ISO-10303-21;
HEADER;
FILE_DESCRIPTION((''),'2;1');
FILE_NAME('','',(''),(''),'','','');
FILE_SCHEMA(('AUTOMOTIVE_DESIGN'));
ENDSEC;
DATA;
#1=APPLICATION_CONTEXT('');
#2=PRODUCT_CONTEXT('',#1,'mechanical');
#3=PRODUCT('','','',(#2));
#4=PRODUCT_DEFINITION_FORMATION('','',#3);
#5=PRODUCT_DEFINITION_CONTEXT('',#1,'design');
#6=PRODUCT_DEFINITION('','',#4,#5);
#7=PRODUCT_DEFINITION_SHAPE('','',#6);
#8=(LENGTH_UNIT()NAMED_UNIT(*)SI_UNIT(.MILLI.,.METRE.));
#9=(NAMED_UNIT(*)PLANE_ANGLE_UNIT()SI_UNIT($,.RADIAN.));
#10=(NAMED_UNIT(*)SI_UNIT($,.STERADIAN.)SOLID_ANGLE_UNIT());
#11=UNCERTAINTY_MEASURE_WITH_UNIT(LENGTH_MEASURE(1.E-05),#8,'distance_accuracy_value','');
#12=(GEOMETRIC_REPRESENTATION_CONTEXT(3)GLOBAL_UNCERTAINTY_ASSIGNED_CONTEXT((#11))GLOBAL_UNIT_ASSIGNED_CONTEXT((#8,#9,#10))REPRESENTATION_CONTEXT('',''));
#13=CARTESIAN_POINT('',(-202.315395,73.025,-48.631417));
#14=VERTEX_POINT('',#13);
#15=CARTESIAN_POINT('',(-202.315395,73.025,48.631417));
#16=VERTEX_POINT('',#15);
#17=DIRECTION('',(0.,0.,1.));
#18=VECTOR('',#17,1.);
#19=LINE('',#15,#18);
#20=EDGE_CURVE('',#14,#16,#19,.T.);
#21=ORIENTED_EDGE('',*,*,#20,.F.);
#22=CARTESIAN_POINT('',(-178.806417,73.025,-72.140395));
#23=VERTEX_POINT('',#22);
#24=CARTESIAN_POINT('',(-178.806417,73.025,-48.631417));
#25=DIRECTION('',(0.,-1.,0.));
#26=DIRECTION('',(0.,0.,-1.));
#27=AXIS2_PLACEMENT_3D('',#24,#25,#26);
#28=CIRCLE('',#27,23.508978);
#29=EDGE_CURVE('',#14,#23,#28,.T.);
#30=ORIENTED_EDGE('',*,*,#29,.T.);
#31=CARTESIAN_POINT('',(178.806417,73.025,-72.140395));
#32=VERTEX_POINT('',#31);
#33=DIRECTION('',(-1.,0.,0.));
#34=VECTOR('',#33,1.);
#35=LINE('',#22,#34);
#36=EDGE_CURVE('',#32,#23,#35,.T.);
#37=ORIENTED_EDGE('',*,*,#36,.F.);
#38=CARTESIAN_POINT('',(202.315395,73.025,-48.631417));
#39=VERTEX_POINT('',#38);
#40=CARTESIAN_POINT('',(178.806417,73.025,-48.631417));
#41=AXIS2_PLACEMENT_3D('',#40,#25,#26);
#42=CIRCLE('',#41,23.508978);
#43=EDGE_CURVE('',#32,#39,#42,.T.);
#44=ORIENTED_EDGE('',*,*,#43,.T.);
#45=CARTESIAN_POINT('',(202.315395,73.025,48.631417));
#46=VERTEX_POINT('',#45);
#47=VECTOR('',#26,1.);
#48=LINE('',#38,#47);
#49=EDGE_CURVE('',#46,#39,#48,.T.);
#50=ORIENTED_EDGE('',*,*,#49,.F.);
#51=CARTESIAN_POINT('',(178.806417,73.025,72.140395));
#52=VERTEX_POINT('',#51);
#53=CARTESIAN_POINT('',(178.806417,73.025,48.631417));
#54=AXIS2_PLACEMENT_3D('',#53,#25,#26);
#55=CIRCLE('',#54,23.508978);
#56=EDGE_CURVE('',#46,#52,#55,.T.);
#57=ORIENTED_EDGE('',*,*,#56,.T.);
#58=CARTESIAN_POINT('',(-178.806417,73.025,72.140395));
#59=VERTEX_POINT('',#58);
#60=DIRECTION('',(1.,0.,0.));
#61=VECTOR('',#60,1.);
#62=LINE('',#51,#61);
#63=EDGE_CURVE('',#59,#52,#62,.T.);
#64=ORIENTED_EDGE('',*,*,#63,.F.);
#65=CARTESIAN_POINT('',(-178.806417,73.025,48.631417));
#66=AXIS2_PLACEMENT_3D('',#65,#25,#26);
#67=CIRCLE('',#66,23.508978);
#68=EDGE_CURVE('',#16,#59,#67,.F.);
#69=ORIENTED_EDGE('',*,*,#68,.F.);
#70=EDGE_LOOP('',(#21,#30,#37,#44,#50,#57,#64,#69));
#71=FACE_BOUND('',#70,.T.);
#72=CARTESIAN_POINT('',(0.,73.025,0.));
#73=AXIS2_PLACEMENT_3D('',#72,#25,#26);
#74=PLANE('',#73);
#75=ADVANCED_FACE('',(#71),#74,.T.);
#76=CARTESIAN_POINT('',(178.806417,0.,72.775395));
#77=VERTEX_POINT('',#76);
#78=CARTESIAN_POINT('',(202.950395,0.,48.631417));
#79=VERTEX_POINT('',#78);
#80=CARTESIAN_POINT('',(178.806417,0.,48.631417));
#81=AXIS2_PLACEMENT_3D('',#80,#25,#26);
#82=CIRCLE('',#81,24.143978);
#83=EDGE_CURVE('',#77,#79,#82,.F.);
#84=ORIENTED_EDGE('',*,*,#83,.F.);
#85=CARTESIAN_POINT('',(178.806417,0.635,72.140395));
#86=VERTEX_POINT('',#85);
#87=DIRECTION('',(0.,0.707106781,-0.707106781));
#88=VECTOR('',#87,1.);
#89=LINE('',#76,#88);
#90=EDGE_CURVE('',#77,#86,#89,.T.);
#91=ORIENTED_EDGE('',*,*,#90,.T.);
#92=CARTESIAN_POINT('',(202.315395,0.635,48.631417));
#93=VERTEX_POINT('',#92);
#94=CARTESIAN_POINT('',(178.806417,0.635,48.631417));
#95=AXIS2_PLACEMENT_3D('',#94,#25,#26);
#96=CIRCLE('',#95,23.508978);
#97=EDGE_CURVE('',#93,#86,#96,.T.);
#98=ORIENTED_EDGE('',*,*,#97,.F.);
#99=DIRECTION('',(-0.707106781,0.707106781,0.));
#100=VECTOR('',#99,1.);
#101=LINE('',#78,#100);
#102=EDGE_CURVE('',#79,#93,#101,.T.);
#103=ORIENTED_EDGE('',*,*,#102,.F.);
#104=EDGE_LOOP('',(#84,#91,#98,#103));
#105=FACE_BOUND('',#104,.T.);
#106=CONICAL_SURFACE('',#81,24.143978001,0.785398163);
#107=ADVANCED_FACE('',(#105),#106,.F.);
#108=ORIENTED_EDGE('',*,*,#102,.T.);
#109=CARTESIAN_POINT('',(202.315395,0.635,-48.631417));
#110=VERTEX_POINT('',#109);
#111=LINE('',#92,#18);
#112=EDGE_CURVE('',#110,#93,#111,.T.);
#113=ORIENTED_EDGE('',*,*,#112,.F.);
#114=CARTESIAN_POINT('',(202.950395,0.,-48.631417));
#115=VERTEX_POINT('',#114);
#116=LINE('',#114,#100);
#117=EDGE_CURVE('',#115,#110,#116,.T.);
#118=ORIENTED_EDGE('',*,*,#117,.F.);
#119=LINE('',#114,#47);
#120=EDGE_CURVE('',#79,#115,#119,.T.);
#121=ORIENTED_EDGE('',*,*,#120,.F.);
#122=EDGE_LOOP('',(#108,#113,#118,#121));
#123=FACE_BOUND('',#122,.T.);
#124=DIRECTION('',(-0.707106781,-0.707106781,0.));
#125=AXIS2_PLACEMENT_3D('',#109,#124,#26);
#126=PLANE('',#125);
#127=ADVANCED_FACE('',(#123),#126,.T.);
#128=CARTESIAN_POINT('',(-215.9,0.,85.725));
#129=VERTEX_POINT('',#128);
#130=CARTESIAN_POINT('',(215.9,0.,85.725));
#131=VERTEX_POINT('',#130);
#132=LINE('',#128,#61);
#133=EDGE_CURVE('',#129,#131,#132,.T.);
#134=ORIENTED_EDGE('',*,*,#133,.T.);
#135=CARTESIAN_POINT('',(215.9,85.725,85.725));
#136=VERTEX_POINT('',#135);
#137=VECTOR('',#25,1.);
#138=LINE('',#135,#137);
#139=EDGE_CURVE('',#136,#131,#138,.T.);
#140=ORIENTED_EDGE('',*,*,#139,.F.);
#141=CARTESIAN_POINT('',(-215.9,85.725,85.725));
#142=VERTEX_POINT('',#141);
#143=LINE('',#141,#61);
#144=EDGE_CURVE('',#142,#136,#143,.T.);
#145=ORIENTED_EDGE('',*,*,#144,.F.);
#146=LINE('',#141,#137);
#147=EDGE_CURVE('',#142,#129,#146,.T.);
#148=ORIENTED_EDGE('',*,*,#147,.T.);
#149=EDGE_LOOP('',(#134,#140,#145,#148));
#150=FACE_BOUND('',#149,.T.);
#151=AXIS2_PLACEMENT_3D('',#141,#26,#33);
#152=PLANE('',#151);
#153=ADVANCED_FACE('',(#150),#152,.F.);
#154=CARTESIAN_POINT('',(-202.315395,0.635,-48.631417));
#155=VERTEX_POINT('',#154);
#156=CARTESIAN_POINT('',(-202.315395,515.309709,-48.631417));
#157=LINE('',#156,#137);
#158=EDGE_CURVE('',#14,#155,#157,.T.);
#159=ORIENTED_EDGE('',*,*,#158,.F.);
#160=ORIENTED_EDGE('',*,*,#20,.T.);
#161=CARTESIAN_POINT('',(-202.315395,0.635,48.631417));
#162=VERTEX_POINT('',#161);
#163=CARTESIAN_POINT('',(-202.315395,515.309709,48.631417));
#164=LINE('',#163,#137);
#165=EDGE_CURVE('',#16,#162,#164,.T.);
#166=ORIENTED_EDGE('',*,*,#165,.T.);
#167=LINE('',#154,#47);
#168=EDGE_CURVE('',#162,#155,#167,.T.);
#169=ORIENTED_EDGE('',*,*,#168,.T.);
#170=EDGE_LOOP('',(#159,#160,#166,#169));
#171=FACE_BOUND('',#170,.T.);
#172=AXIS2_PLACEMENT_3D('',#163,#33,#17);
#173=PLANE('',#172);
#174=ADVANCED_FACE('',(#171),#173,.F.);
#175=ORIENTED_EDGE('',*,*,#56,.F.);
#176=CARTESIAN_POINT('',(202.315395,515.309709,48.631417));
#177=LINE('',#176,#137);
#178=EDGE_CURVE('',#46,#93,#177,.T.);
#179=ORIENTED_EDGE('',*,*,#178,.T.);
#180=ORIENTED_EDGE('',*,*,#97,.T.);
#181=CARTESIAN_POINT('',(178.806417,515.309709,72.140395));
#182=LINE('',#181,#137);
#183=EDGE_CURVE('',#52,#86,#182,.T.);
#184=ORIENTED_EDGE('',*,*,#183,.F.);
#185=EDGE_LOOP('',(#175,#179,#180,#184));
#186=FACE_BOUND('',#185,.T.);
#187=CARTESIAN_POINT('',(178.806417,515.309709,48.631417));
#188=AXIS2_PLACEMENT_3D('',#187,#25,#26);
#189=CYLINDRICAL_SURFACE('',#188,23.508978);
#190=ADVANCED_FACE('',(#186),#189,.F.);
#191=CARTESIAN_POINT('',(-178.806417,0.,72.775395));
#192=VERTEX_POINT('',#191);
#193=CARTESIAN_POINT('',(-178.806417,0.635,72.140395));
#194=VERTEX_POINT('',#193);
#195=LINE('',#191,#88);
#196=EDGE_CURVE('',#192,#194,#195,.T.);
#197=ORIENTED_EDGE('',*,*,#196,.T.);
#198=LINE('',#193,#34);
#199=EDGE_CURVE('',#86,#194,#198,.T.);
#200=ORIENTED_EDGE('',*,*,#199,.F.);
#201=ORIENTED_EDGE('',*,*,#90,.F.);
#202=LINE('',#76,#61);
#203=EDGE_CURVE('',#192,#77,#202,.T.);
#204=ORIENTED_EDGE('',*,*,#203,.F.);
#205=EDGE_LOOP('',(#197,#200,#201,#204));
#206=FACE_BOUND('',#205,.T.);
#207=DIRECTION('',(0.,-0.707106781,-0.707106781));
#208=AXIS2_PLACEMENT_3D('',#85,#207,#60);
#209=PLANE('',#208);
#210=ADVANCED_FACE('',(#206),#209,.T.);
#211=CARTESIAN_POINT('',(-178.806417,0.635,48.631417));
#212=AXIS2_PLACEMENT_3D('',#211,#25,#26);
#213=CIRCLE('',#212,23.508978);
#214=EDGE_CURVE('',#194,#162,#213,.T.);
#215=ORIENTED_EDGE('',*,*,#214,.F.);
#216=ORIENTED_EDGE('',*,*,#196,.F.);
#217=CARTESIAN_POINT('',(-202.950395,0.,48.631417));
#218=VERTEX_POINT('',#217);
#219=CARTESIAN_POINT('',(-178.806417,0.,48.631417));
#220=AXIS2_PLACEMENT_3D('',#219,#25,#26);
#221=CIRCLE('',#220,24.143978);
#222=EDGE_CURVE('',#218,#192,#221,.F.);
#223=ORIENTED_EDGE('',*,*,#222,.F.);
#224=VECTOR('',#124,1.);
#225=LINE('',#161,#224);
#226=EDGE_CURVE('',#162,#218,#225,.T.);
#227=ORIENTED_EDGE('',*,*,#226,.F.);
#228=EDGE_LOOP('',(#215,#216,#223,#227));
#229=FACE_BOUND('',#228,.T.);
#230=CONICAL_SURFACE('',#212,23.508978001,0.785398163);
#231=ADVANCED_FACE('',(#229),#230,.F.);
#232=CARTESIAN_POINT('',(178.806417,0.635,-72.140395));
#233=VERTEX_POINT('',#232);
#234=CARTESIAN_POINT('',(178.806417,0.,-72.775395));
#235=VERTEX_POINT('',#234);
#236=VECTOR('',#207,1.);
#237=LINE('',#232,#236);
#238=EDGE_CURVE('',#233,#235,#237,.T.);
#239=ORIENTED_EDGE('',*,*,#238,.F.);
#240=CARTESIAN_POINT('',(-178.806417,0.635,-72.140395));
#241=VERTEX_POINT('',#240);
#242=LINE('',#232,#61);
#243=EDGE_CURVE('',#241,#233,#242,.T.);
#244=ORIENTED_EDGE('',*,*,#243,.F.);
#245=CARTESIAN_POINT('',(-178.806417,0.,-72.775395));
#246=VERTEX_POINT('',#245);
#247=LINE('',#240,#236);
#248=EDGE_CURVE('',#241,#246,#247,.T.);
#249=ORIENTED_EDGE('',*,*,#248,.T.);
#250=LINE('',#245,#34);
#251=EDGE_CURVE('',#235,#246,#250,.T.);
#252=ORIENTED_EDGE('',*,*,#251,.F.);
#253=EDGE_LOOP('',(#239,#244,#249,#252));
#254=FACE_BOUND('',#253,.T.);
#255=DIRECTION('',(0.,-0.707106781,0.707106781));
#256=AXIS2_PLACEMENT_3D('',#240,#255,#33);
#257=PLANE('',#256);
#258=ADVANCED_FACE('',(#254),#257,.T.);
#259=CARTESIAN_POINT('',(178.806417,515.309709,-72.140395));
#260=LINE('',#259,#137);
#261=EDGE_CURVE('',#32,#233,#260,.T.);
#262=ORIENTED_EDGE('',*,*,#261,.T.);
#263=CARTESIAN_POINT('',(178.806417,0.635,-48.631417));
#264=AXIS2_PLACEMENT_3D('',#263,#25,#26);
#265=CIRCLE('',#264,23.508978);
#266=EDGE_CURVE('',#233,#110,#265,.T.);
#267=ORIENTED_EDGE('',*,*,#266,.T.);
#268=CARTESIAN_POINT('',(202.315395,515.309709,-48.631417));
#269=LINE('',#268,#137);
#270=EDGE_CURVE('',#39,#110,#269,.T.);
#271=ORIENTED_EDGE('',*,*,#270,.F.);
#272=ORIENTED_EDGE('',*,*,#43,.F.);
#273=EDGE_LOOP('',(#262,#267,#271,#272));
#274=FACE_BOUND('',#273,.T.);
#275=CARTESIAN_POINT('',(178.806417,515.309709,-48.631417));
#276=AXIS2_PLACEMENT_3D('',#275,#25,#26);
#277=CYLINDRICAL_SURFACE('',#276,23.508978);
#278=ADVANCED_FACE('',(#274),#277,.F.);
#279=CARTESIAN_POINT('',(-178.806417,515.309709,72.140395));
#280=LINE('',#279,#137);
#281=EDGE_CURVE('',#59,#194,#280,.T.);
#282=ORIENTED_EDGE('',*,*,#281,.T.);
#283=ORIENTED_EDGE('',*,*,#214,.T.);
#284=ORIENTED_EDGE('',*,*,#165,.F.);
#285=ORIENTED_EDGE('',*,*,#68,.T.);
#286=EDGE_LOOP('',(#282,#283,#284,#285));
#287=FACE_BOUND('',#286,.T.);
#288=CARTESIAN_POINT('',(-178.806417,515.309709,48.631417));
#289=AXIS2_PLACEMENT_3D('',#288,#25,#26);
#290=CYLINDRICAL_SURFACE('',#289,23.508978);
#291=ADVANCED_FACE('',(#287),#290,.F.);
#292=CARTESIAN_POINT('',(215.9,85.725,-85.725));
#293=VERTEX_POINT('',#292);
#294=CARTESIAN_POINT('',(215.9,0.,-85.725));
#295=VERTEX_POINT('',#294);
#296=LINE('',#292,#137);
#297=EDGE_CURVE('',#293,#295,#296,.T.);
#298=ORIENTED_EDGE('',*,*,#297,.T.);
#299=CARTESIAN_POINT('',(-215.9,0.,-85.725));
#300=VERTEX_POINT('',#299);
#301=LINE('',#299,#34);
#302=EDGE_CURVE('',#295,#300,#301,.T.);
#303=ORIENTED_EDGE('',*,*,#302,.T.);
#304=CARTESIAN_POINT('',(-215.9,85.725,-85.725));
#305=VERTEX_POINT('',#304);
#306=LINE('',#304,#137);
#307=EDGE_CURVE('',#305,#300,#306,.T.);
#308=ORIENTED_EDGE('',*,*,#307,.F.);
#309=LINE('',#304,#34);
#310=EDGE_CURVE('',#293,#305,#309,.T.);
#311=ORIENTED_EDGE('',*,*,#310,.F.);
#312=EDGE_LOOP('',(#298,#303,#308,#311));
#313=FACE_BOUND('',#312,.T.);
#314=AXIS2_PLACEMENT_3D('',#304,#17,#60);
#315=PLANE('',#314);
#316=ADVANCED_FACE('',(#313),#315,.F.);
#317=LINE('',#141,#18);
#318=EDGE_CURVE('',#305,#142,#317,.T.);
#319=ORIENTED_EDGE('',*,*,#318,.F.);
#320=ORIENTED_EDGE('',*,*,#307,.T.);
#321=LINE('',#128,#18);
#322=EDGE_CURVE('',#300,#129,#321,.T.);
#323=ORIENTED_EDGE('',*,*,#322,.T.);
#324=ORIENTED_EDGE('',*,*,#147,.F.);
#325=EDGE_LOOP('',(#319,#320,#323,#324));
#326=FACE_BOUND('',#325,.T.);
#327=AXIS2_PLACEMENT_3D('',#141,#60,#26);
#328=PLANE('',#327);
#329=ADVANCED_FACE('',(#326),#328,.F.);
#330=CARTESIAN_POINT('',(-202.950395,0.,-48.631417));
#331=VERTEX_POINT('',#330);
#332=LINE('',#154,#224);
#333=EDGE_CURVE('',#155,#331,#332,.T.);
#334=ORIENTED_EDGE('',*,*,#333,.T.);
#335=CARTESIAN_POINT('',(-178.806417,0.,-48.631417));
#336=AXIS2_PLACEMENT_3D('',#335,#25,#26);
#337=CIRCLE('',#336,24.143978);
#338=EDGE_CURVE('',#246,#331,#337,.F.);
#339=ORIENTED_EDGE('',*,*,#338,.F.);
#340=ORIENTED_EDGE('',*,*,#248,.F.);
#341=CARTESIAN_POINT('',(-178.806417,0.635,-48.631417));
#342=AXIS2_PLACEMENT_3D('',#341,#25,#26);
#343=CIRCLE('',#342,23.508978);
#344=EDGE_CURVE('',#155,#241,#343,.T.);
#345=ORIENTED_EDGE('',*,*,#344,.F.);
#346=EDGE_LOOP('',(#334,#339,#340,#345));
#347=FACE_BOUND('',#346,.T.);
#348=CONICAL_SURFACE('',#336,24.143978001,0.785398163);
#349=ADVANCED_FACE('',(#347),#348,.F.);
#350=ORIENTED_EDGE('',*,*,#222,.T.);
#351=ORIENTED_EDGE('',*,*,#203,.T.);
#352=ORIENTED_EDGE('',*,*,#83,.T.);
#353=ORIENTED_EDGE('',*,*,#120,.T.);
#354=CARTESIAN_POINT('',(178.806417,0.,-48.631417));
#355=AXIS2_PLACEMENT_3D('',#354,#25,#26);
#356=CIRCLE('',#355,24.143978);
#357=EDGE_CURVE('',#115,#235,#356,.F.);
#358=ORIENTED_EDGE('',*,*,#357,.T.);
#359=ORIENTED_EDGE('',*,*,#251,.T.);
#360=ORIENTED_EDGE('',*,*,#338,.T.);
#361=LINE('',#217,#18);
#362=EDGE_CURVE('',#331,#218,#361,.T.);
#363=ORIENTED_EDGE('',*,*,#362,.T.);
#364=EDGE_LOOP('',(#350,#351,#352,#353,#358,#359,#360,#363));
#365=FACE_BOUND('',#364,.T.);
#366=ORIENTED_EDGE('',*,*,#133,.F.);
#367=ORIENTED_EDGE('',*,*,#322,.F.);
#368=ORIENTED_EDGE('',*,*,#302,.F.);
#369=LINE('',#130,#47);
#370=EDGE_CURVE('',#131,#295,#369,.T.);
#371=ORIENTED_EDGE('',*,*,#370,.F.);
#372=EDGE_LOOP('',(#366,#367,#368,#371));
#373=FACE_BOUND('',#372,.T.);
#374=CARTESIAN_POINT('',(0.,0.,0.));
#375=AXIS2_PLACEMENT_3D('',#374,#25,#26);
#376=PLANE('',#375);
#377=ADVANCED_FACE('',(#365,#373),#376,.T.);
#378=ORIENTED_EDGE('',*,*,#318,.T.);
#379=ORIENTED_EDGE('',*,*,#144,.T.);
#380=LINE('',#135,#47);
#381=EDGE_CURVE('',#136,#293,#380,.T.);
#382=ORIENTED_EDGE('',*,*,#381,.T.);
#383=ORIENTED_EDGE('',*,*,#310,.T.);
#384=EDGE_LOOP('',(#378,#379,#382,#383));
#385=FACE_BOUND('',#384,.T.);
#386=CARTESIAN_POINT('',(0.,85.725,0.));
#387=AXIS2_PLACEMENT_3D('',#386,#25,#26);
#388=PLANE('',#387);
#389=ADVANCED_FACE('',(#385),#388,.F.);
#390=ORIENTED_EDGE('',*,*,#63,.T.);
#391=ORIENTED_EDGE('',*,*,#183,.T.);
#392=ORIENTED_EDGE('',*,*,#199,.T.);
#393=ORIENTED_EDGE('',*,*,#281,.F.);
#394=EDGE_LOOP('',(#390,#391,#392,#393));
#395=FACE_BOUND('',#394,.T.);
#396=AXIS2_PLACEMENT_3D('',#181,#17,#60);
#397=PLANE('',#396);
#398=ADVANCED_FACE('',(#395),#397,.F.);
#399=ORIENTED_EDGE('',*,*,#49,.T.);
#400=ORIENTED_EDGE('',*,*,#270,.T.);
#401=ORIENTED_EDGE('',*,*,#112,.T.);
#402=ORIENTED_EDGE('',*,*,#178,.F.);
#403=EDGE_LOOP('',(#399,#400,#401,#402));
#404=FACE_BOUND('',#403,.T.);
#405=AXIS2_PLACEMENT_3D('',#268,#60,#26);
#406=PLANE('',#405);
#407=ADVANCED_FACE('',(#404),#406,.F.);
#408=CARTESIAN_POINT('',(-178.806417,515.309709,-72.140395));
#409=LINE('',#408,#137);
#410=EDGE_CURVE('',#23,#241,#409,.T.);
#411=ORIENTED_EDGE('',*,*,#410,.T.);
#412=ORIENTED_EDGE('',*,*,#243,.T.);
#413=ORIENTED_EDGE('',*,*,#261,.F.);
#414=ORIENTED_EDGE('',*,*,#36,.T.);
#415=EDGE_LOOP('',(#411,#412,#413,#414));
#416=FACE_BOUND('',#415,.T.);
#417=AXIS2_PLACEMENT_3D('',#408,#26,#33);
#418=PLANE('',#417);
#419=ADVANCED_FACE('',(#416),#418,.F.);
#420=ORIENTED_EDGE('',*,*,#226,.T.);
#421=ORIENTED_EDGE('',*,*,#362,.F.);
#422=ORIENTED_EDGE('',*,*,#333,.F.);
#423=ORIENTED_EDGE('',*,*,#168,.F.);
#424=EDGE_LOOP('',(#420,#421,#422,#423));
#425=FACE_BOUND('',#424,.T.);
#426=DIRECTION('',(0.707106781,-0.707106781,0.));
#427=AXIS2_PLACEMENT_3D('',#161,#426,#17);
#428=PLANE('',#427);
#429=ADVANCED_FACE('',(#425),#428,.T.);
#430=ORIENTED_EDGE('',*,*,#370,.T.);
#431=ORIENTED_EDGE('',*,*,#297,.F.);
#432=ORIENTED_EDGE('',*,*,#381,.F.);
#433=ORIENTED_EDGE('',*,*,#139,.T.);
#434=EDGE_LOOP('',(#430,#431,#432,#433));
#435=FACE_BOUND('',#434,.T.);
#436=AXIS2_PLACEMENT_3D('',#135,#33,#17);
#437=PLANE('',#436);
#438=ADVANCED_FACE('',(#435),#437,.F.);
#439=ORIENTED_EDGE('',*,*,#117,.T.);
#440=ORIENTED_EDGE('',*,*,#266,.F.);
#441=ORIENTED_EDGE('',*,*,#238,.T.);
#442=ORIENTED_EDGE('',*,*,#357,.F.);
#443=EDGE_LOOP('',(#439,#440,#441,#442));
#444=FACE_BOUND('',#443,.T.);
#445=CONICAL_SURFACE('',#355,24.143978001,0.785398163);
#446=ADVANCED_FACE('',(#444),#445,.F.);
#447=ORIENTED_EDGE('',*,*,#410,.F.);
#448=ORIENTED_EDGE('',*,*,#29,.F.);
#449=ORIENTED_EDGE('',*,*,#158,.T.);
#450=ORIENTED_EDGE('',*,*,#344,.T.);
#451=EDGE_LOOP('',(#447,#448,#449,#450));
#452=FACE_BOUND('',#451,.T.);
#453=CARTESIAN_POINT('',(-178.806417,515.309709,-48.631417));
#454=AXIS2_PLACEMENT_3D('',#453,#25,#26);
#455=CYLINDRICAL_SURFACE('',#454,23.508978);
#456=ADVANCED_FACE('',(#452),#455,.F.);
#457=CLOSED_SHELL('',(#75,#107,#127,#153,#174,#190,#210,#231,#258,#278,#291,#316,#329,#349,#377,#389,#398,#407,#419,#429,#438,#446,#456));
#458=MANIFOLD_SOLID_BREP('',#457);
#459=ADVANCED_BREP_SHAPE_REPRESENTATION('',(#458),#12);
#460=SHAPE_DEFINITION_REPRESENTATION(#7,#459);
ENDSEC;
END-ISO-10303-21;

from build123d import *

# Parameters (mm, degrees)
SKETCH1_W           = 431.8
SKETCH1_H           = 171.45
BOSS_EXTRUDE1_DEPTH = 85.725
CUT_EXTRUDE1_DEPTH  = 73.025
CHAMFER1_SIZE       = 0.635


with BuildPart() as part:
    # Sketch1 → Boss-Extrude1 (new body)
    with BuildSketch(Plane(origin=(0, 0, 0), x_dir=(1, 0, 0), z_dir=(0, 1, 0))):
        Rectangle(SKETCH1_W, SKETCH1_H)
    extrude(amount=BOSS_EXTRUDE1_DEPTH)

    # Sketch2 → Cut-Extrude1 (cut)
    with BuildSketch(Plane.XZ):
        with BuildLine():
            Line((178.806416914, 72.140394915), (-178.806416914, 72.140394915))
            ThreePointArc((-178.806416914, 72.140394915), (-195.429774677, 65.254774677), (-202.315394915, 48.631416914))
            Line((-202.315394915, 48.631416914), (-202.315394915, -48.631416914))
            ThreePointArc((-202.315394915, -48.631416914), (-195.429774677, -65.254774677), (-178.806416914, -72.140394915))
            Line((-178.806416914, -72.140394915), (178.806416914, -72.140394915))
            ThreePointArc((178.806416914, -72.140394915), (195.429774677, -65.254774677), (202.315394915, -48.631416914))
            Line((202.315394915, -48.631416914), (202.315394915, 48.631416914))
            ThreePointArc((202.315394915, 48.631416914), (195.429774677, 65.254774677), (178.806416914, 72.140394915))
        make_face()
    extrude(amount=-CUT_EXTRUDE1_DEPTH, mode=Mode.SUBTRACT)

    # Chamfer1
    chamfer1_edges = [part.edges().sort_by_distance(p)[0] for p in [
        (195.429774677, 0, 65.254774677),
        (195.429774677, 0, -65.254774677),
        (-195.429774677, 0, -65.254774677),
        (0, 0, 72.140394915),
        (-195.429774677, 0, 65.254774677),
        (-202.315394915, 0, 0),
        (0, 0, -72.140394915),
        (202.315394915, 0, 0),
    ]]
    chamfer(chamfer1_edges, length=CHAMFER1_SIZE)


solid = part.part
